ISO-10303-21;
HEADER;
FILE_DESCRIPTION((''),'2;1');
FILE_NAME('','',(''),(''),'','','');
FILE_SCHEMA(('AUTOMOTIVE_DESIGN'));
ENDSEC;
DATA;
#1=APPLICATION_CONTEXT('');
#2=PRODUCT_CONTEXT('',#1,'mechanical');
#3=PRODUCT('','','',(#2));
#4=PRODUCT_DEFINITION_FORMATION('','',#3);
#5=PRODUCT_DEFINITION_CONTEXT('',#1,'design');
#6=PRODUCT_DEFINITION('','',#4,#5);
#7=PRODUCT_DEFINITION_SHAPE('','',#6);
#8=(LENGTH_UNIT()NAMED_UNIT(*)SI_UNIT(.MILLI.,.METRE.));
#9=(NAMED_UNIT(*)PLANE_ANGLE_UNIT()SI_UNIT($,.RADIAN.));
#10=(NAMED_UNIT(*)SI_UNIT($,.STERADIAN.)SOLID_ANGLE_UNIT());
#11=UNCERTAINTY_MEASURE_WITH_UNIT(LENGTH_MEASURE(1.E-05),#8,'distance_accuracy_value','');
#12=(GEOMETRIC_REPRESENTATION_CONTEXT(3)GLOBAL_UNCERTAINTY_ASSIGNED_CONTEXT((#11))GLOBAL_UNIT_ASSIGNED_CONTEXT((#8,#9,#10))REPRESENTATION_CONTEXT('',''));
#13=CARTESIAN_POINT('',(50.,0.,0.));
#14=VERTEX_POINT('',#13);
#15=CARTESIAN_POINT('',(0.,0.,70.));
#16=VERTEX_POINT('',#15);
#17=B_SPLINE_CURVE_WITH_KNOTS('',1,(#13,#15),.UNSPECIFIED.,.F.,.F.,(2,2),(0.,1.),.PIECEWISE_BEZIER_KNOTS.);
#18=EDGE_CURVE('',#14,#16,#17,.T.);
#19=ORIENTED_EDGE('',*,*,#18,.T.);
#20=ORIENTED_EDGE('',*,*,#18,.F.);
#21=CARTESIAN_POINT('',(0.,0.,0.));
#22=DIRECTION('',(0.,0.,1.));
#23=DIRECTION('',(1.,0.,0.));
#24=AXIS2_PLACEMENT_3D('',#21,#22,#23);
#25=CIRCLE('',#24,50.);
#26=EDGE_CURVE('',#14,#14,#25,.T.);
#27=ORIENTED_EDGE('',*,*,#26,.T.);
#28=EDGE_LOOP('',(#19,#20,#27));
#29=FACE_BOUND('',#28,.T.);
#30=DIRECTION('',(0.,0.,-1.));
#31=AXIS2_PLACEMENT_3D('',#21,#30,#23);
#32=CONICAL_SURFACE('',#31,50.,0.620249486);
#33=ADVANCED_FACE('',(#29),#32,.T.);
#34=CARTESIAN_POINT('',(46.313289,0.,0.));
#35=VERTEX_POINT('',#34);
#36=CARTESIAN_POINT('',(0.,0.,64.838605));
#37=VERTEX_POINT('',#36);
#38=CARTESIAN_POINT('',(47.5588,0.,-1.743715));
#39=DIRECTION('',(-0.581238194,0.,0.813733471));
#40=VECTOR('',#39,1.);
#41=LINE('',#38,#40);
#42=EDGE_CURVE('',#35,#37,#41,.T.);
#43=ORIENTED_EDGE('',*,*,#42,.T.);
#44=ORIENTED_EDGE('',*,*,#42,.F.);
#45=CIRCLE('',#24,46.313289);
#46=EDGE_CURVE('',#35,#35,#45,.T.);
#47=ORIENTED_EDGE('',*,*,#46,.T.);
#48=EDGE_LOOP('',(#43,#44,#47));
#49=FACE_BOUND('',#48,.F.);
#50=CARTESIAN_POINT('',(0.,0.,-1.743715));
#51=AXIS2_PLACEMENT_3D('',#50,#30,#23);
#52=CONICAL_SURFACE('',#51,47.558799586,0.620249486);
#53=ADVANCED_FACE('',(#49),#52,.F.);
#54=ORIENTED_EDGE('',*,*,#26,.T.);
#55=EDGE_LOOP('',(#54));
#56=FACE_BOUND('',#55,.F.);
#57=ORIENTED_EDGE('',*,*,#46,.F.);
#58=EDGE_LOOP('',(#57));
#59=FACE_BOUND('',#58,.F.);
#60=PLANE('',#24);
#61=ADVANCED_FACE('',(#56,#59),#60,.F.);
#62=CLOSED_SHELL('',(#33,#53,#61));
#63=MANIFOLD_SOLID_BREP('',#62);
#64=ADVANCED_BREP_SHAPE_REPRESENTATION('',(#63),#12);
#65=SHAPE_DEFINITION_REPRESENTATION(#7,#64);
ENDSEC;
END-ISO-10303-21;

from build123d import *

# Parameters (mm, degrees)
F0_R = 50
F4_T = -3


with BuildPart() as f3:
    # F0 (on Top) → F3 section 0
    with BuildSketch(Plane.XY, mode=Mode.PRIVATE) as f3_s0:
        Circle(F0_R)
    loft([f3_s0.sketch, Vertex(0, 0, 70)])

    # F4
    f4_openings = [f3.faces().sort_by_distance(p)[0] for p in [
        (0, 0, 0),
    ]]
    offset(amount=F4_T, openings=f4_openings)


solid = f3.part
